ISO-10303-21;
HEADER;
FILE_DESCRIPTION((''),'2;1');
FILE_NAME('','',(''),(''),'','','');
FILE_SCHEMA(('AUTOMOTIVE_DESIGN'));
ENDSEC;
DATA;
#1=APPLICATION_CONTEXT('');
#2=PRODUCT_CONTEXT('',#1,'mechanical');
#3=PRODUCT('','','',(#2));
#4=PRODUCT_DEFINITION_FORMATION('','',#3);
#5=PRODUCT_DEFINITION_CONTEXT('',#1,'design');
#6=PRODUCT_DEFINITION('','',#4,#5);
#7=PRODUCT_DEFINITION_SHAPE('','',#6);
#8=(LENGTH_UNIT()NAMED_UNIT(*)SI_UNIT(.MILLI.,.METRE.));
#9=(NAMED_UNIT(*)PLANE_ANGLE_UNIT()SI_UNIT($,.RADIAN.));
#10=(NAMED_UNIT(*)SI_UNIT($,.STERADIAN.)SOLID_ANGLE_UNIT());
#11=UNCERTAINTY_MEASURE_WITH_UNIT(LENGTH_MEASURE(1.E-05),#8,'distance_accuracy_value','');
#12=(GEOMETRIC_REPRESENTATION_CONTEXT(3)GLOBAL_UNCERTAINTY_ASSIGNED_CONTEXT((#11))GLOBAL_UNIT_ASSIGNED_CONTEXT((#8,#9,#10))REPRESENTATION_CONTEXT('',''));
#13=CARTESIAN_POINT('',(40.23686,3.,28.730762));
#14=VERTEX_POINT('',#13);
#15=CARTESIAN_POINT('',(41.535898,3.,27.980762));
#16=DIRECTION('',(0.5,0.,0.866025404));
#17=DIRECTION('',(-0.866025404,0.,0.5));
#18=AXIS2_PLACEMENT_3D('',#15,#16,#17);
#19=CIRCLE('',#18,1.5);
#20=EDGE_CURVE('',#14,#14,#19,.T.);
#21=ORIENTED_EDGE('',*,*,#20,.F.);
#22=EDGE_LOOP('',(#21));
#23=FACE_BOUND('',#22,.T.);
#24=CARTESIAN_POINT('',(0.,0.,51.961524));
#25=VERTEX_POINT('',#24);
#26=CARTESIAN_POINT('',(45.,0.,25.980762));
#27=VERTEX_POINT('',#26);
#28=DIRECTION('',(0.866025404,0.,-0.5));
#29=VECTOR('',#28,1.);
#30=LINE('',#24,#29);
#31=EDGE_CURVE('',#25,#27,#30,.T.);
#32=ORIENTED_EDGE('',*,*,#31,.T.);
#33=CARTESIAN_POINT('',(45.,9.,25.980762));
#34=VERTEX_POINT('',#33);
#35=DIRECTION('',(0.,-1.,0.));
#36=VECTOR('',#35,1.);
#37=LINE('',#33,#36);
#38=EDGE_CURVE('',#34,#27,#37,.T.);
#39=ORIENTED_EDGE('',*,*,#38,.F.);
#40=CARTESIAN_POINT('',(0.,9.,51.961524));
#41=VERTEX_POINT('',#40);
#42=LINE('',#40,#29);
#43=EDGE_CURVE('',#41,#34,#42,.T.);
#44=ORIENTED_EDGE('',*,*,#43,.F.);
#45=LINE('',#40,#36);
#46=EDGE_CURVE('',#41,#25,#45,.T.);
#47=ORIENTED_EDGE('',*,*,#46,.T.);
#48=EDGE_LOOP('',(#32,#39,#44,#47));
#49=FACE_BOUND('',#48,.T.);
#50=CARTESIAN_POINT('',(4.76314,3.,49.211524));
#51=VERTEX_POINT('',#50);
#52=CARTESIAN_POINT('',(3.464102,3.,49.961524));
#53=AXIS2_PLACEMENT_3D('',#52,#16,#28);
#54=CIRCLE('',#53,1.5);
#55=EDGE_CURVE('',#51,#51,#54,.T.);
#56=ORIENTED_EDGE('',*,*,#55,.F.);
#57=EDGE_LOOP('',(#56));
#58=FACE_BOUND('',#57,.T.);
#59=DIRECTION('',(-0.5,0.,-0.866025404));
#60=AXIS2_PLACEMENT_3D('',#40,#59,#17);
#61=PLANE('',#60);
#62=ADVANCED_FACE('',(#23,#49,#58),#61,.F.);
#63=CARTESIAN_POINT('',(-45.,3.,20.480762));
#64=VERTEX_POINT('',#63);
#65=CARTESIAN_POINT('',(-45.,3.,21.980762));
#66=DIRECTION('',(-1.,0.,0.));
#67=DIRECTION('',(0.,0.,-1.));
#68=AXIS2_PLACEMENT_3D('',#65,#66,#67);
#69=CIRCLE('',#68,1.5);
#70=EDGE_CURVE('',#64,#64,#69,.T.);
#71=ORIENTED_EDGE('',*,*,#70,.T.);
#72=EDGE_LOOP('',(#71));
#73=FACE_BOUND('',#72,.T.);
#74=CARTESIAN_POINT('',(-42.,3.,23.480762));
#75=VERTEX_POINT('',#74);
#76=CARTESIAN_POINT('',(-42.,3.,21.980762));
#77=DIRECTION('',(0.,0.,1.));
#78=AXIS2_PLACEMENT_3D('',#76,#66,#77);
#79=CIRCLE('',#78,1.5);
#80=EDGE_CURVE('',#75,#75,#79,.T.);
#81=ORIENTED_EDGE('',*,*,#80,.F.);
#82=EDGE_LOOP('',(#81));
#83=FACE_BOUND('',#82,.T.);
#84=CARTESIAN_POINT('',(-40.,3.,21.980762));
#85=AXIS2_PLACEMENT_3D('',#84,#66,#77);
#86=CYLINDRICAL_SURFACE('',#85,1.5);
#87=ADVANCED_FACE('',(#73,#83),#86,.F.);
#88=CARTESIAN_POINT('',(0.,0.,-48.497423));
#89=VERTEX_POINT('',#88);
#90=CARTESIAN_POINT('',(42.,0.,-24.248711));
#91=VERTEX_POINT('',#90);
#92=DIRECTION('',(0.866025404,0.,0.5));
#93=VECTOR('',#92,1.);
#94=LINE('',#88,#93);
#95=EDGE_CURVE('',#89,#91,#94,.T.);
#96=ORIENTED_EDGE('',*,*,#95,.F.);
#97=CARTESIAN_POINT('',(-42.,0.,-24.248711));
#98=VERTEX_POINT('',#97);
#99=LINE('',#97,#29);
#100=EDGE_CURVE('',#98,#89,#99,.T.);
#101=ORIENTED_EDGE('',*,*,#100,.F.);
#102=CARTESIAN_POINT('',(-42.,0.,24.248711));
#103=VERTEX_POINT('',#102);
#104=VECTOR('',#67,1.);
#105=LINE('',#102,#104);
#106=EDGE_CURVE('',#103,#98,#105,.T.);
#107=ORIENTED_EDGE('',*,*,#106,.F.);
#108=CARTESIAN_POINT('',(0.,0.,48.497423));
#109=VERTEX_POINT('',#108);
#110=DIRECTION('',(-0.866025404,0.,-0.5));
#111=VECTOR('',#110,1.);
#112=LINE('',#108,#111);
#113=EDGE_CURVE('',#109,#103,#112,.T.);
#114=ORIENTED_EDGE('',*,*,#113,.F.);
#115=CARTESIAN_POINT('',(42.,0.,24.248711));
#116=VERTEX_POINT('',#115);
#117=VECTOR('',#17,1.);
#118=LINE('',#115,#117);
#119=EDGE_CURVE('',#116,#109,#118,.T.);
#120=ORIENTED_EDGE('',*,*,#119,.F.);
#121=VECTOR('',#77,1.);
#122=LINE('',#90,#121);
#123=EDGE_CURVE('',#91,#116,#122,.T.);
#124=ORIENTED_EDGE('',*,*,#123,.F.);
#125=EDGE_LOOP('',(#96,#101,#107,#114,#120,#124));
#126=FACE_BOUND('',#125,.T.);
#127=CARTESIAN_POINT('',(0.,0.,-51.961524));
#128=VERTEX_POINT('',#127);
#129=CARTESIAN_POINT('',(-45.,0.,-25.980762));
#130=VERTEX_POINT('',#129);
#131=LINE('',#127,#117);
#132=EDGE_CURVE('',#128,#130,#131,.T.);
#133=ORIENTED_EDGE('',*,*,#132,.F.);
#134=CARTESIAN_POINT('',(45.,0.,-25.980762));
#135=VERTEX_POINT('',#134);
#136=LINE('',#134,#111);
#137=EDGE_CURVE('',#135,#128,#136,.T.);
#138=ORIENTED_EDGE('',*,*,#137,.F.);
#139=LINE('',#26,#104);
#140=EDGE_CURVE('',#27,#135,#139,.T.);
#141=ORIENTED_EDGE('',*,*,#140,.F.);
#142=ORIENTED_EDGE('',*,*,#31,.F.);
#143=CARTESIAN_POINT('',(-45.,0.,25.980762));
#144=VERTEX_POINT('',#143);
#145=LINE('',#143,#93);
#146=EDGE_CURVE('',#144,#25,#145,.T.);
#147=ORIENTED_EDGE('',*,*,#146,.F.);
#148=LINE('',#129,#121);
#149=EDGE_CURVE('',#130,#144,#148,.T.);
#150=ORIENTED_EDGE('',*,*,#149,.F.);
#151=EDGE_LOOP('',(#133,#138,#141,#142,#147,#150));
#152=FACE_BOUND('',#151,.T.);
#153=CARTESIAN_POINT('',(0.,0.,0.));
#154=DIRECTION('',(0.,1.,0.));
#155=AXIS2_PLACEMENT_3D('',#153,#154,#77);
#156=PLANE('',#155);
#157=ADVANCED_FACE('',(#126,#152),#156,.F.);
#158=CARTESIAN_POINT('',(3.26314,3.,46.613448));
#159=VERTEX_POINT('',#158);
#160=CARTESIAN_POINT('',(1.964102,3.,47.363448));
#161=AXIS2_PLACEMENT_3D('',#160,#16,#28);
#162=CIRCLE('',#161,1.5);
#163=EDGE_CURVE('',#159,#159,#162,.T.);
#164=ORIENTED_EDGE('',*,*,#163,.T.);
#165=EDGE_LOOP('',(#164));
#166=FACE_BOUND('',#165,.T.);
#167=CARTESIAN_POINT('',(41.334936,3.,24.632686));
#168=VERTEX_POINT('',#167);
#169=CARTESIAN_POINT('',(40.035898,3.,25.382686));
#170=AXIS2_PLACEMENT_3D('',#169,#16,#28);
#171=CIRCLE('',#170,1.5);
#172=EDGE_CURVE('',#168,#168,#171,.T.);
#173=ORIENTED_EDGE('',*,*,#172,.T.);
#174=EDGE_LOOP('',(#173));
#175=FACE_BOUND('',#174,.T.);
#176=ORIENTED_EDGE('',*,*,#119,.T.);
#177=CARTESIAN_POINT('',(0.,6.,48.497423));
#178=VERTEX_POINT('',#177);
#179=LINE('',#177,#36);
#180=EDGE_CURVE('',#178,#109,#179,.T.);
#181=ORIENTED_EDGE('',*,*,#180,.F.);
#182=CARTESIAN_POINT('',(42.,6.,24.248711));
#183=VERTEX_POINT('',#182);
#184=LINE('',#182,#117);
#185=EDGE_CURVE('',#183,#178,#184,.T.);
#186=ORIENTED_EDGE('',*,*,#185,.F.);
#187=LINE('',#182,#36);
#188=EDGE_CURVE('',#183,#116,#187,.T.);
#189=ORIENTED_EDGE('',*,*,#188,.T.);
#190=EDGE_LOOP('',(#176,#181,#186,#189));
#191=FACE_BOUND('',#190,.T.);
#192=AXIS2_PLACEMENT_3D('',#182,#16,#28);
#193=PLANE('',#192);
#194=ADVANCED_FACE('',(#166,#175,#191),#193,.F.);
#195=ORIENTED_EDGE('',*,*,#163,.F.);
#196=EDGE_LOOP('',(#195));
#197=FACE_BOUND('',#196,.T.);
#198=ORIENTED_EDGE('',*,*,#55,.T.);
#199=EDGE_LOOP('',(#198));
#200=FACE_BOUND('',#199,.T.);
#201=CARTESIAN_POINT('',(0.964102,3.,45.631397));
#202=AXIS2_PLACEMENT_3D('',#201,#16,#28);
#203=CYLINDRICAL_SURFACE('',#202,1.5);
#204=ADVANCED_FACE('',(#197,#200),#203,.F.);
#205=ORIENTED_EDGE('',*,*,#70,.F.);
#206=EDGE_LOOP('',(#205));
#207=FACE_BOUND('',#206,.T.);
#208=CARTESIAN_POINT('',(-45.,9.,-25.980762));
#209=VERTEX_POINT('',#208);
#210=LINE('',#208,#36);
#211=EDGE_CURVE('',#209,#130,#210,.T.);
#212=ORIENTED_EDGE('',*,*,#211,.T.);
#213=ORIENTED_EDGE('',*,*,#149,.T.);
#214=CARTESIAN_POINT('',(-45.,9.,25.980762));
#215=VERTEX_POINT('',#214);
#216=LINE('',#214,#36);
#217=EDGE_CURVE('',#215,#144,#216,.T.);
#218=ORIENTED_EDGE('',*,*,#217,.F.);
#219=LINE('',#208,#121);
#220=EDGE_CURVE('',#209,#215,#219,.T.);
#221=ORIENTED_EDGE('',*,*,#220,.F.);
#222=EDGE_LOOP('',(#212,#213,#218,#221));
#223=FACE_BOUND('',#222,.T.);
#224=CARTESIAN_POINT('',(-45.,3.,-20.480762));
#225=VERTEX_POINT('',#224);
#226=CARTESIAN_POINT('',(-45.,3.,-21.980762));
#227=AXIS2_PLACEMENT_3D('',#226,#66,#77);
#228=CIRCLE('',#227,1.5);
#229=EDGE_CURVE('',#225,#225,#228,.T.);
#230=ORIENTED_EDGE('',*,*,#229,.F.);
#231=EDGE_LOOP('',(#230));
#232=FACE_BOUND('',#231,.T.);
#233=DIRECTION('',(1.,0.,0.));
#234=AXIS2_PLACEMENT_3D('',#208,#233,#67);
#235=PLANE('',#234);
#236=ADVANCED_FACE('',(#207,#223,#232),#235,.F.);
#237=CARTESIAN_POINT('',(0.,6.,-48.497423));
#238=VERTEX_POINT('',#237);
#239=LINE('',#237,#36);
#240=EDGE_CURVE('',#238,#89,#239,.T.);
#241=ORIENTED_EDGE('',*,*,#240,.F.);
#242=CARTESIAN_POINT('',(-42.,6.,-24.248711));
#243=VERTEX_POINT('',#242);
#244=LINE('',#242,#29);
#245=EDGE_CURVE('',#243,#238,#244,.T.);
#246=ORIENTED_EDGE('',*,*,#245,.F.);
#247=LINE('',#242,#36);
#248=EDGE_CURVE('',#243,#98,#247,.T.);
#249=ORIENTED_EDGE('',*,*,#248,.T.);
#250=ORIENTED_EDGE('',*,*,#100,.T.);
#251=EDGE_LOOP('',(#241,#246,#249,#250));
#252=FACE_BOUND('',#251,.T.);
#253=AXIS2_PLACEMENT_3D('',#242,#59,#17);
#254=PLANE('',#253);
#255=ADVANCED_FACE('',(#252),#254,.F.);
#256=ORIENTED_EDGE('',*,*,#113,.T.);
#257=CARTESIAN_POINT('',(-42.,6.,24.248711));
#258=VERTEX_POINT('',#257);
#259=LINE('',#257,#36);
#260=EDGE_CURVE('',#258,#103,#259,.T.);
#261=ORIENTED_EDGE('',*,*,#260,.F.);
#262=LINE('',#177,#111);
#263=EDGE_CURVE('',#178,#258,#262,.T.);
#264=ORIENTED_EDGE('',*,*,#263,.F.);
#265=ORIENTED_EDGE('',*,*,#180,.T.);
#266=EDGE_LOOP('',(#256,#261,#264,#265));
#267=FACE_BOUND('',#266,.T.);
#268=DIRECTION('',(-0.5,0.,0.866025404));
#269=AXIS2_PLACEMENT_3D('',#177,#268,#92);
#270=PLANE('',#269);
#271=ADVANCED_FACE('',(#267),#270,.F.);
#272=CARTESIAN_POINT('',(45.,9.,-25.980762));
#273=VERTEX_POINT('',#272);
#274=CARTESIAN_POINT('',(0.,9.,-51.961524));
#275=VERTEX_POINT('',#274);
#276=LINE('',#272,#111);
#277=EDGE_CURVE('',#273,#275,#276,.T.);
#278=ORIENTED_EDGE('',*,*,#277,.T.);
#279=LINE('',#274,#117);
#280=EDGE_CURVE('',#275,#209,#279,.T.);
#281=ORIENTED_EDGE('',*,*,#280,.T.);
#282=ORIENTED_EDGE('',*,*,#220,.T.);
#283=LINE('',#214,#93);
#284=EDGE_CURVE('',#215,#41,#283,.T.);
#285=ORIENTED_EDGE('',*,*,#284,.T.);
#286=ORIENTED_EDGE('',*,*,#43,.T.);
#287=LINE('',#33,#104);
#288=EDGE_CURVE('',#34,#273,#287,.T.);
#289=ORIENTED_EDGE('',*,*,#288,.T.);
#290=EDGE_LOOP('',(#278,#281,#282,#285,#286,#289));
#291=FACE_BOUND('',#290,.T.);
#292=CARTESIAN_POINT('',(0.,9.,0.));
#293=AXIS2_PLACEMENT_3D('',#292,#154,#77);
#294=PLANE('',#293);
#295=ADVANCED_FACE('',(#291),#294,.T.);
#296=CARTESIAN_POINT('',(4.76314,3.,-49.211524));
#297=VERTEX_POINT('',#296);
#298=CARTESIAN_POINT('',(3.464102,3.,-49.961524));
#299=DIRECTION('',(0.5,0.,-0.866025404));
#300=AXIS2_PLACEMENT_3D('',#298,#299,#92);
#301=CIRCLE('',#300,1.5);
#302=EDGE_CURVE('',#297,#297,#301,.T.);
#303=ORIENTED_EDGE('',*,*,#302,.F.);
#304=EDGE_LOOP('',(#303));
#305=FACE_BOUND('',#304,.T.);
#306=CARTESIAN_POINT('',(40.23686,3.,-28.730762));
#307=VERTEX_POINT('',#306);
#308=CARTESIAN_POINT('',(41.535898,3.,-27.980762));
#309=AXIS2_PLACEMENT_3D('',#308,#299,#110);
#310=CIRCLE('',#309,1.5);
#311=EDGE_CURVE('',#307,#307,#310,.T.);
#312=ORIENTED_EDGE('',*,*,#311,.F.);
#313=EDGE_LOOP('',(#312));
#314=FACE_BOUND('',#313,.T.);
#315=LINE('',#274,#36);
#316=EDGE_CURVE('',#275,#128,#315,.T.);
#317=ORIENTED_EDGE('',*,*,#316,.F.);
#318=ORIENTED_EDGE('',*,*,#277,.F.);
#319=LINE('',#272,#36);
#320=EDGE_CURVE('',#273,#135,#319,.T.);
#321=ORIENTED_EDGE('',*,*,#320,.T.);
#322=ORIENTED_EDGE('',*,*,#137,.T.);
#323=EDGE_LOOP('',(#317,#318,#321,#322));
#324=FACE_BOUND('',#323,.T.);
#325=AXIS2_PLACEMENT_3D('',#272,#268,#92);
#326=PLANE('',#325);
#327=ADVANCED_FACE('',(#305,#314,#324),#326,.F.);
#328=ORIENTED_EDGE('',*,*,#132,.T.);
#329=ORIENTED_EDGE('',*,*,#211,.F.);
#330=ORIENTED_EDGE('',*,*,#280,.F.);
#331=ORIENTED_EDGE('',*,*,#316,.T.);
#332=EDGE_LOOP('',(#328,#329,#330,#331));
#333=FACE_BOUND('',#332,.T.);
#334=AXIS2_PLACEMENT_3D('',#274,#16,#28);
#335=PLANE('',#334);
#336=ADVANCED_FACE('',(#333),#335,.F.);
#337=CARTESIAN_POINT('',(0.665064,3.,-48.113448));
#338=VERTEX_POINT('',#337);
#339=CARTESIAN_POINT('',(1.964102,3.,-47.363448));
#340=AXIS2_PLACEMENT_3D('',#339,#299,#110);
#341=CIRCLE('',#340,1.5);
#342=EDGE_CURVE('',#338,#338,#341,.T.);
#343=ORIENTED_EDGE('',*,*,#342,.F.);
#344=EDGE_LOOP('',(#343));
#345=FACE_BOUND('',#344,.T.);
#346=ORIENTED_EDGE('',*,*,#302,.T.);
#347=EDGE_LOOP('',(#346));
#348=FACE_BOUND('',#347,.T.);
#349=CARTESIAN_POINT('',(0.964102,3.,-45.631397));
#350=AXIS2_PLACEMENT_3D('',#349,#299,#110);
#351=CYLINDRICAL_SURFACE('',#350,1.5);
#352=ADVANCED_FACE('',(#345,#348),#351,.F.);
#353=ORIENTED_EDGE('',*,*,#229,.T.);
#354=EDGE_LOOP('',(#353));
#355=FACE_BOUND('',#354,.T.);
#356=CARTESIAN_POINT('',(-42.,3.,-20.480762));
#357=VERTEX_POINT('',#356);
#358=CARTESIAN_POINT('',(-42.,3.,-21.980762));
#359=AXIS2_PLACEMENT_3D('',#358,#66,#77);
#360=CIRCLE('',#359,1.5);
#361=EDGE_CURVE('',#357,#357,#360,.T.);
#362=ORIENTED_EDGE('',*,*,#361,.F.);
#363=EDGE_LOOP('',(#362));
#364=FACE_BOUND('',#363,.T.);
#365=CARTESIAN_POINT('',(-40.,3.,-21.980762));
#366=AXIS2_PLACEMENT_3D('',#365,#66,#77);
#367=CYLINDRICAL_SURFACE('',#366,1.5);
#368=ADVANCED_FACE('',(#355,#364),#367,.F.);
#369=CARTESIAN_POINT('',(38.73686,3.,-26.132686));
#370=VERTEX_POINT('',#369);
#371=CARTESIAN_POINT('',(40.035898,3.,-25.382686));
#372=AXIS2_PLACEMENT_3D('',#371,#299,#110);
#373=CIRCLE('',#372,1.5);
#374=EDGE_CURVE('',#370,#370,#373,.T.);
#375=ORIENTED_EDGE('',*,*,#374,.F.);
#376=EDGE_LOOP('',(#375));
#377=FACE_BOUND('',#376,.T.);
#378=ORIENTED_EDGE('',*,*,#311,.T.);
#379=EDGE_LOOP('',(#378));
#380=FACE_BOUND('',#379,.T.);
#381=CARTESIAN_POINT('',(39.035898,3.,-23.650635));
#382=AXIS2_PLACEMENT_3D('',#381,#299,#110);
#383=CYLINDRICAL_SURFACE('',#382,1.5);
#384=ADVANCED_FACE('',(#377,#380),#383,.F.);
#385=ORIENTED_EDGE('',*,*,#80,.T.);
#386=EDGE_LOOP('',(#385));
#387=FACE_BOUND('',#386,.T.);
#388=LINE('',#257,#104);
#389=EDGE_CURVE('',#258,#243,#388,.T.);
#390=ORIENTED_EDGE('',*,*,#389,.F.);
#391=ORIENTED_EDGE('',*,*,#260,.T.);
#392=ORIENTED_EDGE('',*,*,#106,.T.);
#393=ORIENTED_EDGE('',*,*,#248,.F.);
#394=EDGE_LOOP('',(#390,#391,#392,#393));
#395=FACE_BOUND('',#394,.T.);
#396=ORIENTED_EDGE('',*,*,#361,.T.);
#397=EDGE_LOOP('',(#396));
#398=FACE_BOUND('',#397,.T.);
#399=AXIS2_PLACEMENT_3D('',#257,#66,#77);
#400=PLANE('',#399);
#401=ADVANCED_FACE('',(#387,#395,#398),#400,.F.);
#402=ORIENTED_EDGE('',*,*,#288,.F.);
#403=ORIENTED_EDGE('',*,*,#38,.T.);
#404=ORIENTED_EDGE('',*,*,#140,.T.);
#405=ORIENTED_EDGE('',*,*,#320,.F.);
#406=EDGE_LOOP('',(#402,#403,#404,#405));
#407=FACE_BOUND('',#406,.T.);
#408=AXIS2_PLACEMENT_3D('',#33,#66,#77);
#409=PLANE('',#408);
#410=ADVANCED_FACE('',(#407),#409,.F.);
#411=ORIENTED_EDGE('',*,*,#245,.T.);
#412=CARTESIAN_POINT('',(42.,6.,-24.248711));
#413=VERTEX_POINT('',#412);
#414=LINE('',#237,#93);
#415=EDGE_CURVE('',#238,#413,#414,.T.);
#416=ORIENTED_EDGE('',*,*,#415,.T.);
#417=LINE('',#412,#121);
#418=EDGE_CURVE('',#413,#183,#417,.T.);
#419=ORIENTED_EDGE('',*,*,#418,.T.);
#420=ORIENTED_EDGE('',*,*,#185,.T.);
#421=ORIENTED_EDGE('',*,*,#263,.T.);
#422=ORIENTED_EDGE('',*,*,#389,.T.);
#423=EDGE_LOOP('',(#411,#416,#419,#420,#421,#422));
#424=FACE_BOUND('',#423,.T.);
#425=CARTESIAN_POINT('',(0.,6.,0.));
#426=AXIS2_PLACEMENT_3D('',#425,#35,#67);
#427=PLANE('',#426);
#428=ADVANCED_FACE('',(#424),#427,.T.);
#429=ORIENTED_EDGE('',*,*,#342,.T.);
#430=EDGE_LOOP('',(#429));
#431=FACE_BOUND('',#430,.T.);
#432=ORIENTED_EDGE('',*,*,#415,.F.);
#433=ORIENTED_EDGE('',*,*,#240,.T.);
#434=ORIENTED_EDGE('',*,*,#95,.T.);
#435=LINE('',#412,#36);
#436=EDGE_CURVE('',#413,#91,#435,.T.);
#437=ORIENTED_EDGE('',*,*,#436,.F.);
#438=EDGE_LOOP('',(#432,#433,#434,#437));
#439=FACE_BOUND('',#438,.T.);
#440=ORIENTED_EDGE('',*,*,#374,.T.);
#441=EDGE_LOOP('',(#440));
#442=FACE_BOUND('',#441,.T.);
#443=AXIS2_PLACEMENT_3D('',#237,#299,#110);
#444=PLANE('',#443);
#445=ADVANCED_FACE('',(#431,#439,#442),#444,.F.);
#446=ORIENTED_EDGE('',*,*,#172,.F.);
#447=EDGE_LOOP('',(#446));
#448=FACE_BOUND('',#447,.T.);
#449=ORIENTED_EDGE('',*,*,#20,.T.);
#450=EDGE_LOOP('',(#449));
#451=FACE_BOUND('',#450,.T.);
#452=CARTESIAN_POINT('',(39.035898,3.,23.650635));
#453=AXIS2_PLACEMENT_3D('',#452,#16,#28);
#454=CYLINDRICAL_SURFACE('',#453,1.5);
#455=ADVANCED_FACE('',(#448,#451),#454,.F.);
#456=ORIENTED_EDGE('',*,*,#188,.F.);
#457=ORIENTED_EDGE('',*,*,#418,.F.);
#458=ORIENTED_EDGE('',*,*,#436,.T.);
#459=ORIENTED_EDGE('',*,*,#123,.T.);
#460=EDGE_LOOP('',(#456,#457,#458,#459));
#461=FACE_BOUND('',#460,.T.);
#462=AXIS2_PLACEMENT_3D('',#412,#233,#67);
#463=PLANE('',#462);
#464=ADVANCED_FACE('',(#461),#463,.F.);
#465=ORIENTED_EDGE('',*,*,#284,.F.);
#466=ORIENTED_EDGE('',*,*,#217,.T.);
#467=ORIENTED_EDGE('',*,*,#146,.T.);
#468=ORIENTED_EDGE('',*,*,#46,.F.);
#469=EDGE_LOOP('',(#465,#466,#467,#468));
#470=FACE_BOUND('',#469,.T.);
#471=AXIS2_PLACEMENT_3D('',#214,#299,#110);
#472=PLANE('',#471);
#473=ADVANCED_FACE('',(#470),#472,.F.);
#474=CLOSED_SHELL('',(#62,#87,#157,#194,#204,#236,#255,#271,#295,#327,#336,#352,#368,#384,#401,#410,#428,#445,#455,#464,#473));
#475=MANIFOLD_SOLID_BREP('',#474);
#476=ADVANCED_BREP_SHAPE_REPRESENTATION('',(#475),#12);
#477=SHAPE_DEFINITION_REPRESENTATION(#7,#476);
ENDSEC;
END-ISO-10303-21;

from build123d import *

# Parameters (mm, degrees)
BOSS_EXTRUDE2_DEPTH = 9
CUT_EXTRUDE3_DEPTH  = 6
SKETCH5_R           = 1.5
CUT_EXTRUDE7_DEPTH  = 5
SKETCH7_R           = 1.5
CUT_EXTRUDE8_DEPTH  = 5
SKETCH8_R           = 1.5
CUT_EXTRUDE9_DEPTH  = 5


with BuildPart() as part:
    # Sketch1 → Boss-Extrude2 (new body)
    with BuildSketch(Plane(origin=(0, 0, 0), x_dir=(1, 0, 0), z_dir=(0, 1, 0))):
        Polygon((0, 51.961524227), (-45, 25.980762114), (-45, -25.980762114), (0, -51.961524227), (45, -25.980762114), (45, 25.980762114), align=None)
    extrude(amount=BOSS_EXTRUDE2_DEPTH)

    # Sketch4 → Cut-Extrude3 (cut)
    with BuildSketch(Plane.XZ):
        Polygon((0, 48.497422612), (-42, 24.248711306), (-42, -24.248711306), (0, -48.497422612), (42, -24.248711306), (42, 24.248711306), align=None)
    extrude(amount=-CUT_EXTRUDE3_DEPTH, mode=Mode.SUBTRACT)

    # Sketch5 → Cut-Extrude7 (cut)
    with BuildSketch(Plane.ZY.offset(45)):
        with Locations((-21.980762114, 3)):
            Circle(SKETCH5_R)
        with Locations((21.980762114, 3)):
            Circle(SKETCH5_R)
    extrude(amount=-CUT_EXTRUDE7_DEPTH, mode=Mode.SUBTRACT)

    # Sketch7 → Cut-Extrude8 (cut)
    with BuildSketch(Plane(origin=(22.5, 0, 38.97114317), x_dir=(0.8660254037844346, 0, -0.5000000000000071), z_dir=(0.5000000000000071, 0, 0.8660254037844346))):
        with Locations((-21.980762114, 3)):
            Circle(SKETCH7_R)
        with Locations((21.980762114, 3)):
            Circle(SKETCH7_R)
    extrude(amount=-CUT_EXTRUDE8_DEPTH, mode=Mode.SUBTRACT)

    # Sketch8 → Cut-Extrude9 (cut)
    with BuildSketch(Plane(origin=(22.5, 0, -38.97114317), x_dir=(-0.8660254037844414, 0, -0.49999999999999517), z_dir=(0.49999999999999517, 0, -0.8660254037844414))):
        with Locations((-21.980762114, 3)):
            Circle(SKETCH8_R)
        with Locations((21.980762114, 3)):
            Circle(SKETCH8_R)
    extrude(amount=-CUT_EXTRUDE9_DEPTH, mode=Mode.SUBTRACT)


solid = part.part
